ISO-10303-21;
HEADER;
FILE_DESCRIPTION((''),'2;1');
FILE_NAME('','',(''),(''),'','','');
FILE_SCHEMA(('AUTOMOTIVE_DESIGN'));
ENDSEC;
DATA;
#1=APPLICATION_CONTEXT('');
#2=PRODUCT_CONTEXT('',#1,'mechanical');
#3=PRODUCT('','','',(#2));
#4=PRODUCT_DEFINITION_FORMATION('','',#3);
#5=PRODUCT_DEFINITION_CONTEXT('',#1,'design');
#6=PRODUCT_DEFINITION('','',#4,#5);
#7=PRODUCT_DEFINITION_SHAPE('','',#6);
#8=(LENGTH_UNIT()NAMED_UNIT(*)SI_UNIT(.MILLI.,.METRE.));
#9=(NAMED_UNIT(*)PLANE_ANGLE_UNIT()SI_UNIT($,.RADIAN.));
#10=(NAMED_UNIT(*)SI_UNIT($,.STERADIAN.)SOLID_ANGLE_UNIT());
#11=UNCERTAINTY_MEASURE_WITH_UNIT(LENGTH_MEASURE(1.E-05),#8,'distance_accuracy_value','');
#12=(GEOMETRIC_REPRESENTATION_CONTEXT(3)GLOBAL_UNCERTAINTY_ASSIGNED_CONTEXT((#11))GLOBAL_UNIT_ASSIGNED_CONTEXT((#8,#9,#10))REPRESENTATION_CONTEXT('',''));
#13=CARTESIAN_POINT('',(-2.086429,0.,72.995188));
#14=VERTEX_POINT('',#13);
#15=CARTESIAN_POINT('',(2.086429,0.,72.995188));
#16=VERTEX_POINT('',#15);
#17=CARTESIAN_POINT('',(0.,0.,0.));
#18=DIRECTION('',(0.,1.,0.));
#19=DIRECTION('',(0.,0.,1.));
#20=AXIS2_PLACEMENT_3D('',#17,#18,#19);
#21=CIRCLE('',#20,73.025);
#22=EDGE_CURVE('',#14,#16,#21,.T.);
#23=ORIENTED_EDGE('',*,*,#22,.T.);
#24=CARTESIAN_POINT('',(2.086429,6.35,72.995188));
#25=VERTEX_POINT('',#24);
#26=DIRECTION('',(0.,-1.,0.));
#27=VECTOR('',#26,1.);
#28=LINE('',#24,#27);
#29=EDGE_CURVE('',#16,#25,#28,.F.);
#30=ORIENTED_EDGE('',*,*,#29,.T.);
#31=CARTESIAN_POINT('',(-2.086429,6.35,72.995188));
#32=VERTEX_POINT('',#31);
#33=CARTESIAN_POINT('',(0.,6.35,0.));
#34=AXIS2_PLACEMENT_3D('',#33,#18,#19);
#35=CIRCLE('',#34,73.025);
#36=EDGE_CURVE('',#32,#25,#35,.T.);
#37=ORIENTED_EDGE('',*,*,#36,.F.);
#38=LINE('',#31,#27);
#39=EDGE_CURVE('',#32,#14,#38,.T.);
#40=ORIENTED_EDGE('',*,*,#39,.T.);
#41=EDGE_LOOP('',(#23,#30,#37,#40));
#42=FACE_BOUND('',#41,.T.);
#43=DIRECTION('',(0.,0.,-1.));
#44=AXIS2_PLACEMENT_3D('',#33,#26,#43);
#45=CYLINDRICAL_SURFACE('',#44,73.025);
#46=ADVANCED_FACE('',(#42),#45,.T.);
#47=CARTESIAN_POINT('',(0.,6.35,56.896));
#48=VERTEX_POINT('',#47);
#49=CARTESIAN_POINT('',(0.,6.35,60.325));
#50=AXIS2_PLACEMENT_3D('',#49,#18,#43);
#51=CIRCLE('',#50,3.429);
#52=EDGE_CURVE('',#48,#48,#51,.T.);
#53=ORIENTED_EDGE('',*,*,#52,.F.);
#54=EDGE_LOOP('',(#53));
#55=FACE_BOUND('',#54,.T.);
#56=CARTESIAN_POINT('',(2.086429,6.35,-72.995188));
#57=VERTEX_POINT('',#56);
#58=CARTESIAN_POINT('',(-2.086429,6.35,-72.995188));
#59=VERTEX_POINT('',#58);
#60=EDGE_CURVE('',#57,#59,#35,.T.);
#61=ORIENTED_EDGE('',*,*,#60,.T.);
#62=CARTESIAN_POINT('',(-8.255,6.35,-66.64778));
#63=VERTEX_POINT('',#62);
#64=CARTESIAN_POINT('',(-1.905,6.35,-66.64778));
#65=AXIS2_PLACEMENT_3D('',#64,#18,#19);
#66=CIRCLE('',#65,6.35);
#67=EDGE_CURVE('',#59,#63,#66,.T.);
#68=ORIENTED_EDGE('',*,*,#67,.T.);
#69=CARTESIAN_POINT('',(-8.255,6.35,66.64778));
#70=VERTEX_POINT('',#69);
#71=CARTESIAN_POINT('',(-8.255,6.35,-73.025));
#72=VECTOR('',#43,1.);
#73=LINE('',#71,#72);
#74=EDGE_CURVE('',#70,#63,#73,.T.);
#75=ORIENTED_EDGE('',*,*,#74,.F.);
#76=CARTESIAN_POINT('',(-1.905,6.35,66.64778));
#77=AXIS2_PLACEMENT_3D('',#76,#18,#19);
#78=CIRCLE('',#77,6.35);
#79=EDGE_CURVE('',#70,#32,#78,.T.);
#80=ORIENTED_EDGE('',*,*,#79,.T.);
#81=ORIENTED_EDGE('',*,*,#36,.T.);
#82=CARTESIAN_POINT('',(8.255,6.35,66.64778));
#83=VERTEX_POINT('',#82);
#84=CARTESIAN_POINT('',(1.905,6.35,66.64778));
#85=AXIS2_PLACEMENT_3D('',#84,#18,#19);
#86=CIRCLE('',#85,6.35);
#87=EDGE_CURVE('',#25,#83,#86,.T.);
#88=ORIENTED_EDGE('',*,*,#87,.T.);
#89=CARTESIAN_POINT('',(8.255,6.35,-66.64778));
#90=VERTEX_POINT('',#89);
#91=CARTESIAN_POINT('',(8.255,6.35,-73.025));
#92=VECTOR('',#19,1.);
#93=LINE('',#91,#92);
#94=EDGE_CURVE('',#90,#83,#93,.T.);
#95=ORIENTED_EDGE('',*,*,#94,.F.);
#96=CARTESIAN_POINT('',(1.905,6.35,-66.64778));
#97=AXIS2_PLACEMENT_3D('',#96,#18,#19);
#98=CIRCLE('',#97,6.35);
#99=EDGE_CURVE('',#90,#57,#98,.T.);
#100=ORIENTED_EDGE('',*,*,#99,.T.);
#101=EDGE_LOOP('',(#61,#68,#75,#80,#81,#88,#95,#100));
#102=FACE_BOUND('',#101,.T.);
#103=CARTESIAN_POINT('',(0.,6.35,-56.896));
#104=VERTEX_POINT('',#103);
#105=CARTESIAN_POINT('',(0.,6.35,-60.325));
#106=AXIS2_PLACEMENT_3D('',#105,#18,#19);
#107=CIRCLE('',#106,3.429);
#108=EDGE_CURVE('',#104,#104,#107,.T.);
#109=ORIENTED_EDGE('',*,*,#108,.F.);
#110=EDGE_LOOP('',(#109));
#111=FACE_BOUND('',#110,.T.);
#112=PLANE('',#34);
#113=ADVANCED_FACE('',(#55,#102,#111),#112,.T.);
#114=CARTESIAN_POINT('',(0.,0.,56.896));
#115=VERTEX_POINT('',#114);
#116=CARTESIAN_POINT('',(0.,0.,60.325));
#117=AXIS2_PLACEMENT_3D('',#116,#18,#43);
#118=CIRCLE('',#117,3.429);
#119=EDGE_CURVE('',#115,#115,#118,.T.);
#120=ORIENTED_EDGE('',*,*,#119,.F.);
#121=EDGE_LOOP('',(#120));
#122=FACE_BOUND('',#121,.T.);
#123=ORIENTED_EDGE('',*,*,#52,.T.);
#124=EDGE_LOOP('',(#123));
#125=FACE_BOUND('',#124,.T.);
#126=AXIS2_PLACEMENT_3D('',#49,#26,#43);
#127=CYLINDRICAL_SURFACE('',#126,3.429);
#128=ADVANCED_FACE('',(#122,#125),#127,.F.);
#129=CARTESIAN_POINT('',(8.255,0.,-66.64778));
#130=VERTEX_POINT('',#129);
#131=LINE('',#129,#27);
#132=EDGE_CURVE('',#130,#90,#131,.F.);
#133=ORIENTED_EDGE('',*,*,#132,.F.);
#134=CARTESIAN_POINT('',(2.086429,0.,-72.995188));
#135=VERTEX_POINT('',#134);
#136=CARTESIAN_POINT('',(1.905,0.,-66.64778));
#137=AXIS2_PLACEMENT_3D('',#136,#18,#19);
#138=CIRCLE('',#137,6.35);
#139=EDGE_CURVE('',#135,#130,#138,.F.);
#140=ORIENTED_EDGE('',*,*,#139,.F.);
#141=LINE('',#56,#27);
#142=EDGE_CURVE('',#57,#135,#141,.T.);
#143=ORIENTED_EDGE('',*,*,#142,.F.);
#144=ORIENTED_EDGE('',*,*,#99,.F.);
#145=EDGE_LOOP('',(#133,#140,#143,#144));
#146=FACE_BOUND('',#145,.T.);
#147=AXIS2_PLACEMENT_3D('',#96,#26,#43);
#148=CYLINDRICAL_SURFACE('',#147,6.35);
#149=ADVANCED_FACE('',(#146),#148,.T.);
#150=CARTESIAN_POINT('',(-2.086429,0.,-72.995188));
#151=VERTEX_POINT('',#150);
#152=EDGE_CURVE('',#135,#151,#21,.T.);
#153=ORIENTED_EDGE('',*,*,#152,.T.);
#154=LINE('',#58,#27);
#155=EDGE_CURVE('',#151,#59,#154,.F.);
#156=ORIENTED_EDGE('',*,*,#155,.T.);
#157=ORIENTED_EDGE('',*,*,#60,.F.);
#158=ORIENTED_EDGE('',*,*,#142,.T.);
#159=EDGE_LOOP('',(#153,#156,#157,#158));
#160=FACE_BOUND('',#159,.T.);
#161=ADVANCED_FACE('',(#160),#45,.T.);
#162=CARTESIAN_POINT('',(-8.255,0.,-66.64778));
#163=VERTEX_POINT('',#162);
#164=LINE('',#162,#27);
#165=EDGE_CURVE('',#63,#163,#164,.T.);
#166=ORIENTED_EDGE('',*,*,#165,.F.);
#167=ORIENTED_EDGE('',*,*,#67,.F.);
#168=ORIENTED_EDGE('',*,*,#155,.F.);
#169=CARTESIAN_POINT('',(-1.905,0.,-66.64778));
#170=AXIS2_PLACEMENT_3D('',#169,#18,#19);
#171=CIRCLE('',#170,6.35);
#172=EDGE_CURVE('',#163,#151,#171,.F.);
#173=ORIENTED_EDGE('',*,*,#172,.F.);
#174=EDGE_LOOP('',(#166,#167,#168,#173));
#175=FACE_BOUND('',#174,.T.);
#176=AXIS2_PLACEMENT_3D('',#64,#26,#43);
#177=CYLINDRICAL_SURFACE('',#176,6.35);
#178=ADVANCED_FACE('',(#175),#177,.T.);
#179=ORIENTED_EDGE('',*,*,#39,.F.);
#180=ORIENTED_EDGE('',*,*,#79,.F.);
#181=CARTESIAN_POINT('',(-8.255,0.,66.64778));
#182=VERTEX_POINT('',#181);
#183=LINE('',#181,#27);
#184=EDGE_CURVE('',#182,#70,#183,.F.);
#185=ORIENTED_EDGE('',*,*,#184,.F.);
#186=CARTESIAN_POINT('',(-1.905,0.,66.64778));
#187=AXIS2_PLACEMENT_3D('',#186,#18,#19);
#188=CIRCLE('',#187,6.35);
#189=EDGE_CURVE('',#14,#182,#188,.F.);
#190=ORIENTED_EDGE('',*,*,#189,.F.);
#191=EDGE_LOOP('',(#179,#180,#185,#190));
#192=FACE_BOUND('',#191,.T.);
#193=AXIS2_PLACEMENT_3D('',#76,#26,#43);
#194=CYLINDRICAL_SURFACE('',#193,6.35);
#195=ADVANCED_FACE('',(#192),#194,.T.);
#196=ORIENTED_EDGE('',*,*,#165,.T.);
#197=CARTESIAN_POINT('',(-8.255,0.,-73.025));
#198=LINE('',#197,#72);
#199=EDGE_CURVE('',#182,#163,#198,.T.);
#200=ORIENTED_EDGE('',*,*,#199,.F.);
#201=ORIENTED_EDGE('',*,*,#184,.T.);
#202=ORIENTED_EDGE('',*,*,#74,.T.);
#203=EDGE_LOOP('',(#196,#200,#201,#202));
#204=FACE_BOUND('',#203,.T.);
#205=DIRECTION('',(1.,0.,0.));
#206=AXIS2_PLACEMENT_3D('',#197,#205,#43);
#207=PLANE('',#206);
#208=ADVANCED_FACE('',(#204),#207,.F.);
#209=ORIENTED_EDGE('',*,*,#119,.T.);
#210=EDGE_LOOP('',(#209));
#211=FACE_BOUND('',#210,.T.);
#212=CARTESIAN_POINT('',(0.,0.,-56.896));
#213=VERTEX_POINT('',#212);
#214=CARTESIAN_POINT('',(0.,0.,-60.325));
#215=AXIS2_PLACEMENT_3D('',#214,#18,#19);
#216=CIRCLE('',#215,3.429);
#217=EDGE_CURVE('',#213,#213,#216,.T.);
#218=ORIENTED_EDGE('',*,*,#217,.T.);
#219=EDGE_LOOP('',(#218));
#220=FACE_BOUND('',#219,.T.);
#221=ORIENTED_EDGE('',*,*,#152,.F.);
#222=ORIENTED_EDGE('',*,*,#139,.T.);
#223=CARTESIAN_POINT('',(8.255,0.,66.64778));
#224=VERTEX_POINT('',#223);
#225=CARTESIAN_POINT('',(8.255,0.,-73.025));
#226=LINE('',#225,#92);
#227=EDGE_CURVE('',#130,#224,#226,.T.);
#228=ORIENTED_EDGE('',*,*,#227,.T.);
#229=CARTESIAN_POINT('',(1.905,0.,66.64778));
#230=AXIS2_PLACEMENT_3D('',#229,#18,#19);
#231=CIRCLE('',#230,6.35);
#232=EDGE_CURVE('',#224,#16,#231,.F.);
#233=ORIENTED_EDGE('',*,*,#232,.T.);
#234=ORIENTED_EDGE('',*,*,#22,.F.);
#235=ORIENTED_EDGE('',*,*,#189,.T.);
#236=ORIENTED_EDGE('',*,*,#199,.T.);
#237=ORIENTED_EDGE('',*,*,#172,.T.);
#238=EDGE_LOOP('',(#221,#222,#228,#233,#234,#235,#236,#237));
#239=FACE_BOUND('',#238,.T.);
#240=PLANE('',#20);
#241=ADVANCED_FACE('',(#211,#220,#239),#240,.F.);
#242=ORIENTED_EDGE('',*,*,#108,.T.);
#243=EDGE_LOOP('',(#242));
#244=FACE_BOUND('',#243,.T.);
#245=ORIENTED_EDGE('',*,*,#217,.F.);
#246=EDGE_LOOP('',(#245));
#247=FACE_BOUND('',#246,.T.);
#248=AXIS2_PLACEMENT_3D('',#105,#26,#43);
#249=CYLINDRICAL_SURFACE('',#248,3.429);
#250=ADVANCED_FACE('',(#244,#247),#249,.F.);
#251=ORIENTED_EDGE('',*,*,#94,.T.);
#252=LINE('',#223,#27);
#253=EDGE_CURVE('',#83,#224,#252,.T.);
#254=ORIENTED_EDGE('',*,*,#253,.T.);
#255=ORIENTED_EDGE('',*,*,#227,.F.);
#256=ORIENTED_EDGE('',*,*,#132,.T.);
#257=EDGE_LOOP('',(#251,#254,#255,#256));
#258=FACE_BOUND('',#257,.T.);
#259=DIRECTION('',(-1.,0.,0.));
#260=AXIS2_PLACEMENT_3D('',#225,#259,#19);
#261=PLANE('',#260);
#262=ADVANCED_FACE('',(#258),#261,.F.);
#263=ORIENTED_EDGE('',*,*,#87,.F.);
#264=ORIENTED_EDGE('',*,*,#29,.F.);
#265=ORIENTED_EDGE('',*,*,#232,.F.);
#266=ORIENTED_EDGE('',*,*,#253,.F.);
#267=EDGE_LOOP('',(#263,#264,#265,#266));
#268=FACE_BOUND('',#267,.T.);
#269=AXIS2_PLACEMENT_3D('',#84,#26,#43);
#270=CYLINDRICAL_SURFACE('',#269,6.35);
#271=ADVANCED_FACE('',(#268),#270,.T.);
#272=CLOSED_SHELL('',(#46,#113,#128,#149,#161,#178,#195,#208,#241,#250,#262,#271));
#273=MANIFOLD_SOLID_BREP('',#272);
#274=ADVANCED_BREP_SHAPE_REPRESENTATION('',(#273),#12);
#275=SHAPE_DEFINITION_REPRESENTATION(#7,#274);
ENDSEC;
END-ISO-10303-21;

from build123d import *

# Parameters (mm, degrees)
SKETCH1_R           = 73.025
SKETCH1_R_2         = 3.429
BOSS_EXTRUDE1_DEPTH = 6.35
SKETCH2_W           = 64.77
SKETCH2_H           = 146.05
CUT_EXTRUDE1_DEPTH  = 104.467984179
FILLET1_R           = 6.35


with BuildPart() as part:
    # Sketch1 → Boss-Extrude1 (new body)
    with BuildSketch(Plane(origin=(0, 0, 0), x_dir=(1, 0, 0), z_dir=(0, 1, 0))):
        with Locations(Location((0, 0, 0), (0, 0, 270))):
            Circle(SKETCH1_R)
        with Locations(Location((0, 60.325, 0), (0, 0, 270))):
            Circle(SKETCH1_R_2, mode=Mode.SUBTRACT)
        with Locations(Location((0, -60.325, 0), (0, 0, 90))):
            Circle(SKETCH1_R_2, mode=Mode.SUBTRACT)
    extrude(amount=BOSS_EXTRUDE1_DEPTH)

    # Sketch2 → Cut-Extrude1 (cut, through all)
    with BuildSketch(Plane(origin=(0, 6.35, 0), x_dir=(1, 0, 0), z_dir=(0, 1, 0))):
        with Locations((40.64, 0)):
            Rectangle(SKETCH2_W, SKETCH2_H)
        with Locations((-40.64, 0)):
            Rectangle(SKETCH2_W, SKETCH2_H)
    extrude(amount=-CUT_EXTRUDE1_DEPTH, mode=Mode.SUBTRACT)

    # Fillet1
    fillet1_edges = [part.edges().sort_by_distance(p)[0] for p in [
        (-8.255, 3.175, -72.556912834),
        (-8.255, 3.175, 72.556912834),
        (8.255, 3.175, 72.556912834),
        (8.255, 3.175, -72.556912834),
    ]]
    fillet(fillet1_edges, radius=FILLET1_R)


solid = part.part
